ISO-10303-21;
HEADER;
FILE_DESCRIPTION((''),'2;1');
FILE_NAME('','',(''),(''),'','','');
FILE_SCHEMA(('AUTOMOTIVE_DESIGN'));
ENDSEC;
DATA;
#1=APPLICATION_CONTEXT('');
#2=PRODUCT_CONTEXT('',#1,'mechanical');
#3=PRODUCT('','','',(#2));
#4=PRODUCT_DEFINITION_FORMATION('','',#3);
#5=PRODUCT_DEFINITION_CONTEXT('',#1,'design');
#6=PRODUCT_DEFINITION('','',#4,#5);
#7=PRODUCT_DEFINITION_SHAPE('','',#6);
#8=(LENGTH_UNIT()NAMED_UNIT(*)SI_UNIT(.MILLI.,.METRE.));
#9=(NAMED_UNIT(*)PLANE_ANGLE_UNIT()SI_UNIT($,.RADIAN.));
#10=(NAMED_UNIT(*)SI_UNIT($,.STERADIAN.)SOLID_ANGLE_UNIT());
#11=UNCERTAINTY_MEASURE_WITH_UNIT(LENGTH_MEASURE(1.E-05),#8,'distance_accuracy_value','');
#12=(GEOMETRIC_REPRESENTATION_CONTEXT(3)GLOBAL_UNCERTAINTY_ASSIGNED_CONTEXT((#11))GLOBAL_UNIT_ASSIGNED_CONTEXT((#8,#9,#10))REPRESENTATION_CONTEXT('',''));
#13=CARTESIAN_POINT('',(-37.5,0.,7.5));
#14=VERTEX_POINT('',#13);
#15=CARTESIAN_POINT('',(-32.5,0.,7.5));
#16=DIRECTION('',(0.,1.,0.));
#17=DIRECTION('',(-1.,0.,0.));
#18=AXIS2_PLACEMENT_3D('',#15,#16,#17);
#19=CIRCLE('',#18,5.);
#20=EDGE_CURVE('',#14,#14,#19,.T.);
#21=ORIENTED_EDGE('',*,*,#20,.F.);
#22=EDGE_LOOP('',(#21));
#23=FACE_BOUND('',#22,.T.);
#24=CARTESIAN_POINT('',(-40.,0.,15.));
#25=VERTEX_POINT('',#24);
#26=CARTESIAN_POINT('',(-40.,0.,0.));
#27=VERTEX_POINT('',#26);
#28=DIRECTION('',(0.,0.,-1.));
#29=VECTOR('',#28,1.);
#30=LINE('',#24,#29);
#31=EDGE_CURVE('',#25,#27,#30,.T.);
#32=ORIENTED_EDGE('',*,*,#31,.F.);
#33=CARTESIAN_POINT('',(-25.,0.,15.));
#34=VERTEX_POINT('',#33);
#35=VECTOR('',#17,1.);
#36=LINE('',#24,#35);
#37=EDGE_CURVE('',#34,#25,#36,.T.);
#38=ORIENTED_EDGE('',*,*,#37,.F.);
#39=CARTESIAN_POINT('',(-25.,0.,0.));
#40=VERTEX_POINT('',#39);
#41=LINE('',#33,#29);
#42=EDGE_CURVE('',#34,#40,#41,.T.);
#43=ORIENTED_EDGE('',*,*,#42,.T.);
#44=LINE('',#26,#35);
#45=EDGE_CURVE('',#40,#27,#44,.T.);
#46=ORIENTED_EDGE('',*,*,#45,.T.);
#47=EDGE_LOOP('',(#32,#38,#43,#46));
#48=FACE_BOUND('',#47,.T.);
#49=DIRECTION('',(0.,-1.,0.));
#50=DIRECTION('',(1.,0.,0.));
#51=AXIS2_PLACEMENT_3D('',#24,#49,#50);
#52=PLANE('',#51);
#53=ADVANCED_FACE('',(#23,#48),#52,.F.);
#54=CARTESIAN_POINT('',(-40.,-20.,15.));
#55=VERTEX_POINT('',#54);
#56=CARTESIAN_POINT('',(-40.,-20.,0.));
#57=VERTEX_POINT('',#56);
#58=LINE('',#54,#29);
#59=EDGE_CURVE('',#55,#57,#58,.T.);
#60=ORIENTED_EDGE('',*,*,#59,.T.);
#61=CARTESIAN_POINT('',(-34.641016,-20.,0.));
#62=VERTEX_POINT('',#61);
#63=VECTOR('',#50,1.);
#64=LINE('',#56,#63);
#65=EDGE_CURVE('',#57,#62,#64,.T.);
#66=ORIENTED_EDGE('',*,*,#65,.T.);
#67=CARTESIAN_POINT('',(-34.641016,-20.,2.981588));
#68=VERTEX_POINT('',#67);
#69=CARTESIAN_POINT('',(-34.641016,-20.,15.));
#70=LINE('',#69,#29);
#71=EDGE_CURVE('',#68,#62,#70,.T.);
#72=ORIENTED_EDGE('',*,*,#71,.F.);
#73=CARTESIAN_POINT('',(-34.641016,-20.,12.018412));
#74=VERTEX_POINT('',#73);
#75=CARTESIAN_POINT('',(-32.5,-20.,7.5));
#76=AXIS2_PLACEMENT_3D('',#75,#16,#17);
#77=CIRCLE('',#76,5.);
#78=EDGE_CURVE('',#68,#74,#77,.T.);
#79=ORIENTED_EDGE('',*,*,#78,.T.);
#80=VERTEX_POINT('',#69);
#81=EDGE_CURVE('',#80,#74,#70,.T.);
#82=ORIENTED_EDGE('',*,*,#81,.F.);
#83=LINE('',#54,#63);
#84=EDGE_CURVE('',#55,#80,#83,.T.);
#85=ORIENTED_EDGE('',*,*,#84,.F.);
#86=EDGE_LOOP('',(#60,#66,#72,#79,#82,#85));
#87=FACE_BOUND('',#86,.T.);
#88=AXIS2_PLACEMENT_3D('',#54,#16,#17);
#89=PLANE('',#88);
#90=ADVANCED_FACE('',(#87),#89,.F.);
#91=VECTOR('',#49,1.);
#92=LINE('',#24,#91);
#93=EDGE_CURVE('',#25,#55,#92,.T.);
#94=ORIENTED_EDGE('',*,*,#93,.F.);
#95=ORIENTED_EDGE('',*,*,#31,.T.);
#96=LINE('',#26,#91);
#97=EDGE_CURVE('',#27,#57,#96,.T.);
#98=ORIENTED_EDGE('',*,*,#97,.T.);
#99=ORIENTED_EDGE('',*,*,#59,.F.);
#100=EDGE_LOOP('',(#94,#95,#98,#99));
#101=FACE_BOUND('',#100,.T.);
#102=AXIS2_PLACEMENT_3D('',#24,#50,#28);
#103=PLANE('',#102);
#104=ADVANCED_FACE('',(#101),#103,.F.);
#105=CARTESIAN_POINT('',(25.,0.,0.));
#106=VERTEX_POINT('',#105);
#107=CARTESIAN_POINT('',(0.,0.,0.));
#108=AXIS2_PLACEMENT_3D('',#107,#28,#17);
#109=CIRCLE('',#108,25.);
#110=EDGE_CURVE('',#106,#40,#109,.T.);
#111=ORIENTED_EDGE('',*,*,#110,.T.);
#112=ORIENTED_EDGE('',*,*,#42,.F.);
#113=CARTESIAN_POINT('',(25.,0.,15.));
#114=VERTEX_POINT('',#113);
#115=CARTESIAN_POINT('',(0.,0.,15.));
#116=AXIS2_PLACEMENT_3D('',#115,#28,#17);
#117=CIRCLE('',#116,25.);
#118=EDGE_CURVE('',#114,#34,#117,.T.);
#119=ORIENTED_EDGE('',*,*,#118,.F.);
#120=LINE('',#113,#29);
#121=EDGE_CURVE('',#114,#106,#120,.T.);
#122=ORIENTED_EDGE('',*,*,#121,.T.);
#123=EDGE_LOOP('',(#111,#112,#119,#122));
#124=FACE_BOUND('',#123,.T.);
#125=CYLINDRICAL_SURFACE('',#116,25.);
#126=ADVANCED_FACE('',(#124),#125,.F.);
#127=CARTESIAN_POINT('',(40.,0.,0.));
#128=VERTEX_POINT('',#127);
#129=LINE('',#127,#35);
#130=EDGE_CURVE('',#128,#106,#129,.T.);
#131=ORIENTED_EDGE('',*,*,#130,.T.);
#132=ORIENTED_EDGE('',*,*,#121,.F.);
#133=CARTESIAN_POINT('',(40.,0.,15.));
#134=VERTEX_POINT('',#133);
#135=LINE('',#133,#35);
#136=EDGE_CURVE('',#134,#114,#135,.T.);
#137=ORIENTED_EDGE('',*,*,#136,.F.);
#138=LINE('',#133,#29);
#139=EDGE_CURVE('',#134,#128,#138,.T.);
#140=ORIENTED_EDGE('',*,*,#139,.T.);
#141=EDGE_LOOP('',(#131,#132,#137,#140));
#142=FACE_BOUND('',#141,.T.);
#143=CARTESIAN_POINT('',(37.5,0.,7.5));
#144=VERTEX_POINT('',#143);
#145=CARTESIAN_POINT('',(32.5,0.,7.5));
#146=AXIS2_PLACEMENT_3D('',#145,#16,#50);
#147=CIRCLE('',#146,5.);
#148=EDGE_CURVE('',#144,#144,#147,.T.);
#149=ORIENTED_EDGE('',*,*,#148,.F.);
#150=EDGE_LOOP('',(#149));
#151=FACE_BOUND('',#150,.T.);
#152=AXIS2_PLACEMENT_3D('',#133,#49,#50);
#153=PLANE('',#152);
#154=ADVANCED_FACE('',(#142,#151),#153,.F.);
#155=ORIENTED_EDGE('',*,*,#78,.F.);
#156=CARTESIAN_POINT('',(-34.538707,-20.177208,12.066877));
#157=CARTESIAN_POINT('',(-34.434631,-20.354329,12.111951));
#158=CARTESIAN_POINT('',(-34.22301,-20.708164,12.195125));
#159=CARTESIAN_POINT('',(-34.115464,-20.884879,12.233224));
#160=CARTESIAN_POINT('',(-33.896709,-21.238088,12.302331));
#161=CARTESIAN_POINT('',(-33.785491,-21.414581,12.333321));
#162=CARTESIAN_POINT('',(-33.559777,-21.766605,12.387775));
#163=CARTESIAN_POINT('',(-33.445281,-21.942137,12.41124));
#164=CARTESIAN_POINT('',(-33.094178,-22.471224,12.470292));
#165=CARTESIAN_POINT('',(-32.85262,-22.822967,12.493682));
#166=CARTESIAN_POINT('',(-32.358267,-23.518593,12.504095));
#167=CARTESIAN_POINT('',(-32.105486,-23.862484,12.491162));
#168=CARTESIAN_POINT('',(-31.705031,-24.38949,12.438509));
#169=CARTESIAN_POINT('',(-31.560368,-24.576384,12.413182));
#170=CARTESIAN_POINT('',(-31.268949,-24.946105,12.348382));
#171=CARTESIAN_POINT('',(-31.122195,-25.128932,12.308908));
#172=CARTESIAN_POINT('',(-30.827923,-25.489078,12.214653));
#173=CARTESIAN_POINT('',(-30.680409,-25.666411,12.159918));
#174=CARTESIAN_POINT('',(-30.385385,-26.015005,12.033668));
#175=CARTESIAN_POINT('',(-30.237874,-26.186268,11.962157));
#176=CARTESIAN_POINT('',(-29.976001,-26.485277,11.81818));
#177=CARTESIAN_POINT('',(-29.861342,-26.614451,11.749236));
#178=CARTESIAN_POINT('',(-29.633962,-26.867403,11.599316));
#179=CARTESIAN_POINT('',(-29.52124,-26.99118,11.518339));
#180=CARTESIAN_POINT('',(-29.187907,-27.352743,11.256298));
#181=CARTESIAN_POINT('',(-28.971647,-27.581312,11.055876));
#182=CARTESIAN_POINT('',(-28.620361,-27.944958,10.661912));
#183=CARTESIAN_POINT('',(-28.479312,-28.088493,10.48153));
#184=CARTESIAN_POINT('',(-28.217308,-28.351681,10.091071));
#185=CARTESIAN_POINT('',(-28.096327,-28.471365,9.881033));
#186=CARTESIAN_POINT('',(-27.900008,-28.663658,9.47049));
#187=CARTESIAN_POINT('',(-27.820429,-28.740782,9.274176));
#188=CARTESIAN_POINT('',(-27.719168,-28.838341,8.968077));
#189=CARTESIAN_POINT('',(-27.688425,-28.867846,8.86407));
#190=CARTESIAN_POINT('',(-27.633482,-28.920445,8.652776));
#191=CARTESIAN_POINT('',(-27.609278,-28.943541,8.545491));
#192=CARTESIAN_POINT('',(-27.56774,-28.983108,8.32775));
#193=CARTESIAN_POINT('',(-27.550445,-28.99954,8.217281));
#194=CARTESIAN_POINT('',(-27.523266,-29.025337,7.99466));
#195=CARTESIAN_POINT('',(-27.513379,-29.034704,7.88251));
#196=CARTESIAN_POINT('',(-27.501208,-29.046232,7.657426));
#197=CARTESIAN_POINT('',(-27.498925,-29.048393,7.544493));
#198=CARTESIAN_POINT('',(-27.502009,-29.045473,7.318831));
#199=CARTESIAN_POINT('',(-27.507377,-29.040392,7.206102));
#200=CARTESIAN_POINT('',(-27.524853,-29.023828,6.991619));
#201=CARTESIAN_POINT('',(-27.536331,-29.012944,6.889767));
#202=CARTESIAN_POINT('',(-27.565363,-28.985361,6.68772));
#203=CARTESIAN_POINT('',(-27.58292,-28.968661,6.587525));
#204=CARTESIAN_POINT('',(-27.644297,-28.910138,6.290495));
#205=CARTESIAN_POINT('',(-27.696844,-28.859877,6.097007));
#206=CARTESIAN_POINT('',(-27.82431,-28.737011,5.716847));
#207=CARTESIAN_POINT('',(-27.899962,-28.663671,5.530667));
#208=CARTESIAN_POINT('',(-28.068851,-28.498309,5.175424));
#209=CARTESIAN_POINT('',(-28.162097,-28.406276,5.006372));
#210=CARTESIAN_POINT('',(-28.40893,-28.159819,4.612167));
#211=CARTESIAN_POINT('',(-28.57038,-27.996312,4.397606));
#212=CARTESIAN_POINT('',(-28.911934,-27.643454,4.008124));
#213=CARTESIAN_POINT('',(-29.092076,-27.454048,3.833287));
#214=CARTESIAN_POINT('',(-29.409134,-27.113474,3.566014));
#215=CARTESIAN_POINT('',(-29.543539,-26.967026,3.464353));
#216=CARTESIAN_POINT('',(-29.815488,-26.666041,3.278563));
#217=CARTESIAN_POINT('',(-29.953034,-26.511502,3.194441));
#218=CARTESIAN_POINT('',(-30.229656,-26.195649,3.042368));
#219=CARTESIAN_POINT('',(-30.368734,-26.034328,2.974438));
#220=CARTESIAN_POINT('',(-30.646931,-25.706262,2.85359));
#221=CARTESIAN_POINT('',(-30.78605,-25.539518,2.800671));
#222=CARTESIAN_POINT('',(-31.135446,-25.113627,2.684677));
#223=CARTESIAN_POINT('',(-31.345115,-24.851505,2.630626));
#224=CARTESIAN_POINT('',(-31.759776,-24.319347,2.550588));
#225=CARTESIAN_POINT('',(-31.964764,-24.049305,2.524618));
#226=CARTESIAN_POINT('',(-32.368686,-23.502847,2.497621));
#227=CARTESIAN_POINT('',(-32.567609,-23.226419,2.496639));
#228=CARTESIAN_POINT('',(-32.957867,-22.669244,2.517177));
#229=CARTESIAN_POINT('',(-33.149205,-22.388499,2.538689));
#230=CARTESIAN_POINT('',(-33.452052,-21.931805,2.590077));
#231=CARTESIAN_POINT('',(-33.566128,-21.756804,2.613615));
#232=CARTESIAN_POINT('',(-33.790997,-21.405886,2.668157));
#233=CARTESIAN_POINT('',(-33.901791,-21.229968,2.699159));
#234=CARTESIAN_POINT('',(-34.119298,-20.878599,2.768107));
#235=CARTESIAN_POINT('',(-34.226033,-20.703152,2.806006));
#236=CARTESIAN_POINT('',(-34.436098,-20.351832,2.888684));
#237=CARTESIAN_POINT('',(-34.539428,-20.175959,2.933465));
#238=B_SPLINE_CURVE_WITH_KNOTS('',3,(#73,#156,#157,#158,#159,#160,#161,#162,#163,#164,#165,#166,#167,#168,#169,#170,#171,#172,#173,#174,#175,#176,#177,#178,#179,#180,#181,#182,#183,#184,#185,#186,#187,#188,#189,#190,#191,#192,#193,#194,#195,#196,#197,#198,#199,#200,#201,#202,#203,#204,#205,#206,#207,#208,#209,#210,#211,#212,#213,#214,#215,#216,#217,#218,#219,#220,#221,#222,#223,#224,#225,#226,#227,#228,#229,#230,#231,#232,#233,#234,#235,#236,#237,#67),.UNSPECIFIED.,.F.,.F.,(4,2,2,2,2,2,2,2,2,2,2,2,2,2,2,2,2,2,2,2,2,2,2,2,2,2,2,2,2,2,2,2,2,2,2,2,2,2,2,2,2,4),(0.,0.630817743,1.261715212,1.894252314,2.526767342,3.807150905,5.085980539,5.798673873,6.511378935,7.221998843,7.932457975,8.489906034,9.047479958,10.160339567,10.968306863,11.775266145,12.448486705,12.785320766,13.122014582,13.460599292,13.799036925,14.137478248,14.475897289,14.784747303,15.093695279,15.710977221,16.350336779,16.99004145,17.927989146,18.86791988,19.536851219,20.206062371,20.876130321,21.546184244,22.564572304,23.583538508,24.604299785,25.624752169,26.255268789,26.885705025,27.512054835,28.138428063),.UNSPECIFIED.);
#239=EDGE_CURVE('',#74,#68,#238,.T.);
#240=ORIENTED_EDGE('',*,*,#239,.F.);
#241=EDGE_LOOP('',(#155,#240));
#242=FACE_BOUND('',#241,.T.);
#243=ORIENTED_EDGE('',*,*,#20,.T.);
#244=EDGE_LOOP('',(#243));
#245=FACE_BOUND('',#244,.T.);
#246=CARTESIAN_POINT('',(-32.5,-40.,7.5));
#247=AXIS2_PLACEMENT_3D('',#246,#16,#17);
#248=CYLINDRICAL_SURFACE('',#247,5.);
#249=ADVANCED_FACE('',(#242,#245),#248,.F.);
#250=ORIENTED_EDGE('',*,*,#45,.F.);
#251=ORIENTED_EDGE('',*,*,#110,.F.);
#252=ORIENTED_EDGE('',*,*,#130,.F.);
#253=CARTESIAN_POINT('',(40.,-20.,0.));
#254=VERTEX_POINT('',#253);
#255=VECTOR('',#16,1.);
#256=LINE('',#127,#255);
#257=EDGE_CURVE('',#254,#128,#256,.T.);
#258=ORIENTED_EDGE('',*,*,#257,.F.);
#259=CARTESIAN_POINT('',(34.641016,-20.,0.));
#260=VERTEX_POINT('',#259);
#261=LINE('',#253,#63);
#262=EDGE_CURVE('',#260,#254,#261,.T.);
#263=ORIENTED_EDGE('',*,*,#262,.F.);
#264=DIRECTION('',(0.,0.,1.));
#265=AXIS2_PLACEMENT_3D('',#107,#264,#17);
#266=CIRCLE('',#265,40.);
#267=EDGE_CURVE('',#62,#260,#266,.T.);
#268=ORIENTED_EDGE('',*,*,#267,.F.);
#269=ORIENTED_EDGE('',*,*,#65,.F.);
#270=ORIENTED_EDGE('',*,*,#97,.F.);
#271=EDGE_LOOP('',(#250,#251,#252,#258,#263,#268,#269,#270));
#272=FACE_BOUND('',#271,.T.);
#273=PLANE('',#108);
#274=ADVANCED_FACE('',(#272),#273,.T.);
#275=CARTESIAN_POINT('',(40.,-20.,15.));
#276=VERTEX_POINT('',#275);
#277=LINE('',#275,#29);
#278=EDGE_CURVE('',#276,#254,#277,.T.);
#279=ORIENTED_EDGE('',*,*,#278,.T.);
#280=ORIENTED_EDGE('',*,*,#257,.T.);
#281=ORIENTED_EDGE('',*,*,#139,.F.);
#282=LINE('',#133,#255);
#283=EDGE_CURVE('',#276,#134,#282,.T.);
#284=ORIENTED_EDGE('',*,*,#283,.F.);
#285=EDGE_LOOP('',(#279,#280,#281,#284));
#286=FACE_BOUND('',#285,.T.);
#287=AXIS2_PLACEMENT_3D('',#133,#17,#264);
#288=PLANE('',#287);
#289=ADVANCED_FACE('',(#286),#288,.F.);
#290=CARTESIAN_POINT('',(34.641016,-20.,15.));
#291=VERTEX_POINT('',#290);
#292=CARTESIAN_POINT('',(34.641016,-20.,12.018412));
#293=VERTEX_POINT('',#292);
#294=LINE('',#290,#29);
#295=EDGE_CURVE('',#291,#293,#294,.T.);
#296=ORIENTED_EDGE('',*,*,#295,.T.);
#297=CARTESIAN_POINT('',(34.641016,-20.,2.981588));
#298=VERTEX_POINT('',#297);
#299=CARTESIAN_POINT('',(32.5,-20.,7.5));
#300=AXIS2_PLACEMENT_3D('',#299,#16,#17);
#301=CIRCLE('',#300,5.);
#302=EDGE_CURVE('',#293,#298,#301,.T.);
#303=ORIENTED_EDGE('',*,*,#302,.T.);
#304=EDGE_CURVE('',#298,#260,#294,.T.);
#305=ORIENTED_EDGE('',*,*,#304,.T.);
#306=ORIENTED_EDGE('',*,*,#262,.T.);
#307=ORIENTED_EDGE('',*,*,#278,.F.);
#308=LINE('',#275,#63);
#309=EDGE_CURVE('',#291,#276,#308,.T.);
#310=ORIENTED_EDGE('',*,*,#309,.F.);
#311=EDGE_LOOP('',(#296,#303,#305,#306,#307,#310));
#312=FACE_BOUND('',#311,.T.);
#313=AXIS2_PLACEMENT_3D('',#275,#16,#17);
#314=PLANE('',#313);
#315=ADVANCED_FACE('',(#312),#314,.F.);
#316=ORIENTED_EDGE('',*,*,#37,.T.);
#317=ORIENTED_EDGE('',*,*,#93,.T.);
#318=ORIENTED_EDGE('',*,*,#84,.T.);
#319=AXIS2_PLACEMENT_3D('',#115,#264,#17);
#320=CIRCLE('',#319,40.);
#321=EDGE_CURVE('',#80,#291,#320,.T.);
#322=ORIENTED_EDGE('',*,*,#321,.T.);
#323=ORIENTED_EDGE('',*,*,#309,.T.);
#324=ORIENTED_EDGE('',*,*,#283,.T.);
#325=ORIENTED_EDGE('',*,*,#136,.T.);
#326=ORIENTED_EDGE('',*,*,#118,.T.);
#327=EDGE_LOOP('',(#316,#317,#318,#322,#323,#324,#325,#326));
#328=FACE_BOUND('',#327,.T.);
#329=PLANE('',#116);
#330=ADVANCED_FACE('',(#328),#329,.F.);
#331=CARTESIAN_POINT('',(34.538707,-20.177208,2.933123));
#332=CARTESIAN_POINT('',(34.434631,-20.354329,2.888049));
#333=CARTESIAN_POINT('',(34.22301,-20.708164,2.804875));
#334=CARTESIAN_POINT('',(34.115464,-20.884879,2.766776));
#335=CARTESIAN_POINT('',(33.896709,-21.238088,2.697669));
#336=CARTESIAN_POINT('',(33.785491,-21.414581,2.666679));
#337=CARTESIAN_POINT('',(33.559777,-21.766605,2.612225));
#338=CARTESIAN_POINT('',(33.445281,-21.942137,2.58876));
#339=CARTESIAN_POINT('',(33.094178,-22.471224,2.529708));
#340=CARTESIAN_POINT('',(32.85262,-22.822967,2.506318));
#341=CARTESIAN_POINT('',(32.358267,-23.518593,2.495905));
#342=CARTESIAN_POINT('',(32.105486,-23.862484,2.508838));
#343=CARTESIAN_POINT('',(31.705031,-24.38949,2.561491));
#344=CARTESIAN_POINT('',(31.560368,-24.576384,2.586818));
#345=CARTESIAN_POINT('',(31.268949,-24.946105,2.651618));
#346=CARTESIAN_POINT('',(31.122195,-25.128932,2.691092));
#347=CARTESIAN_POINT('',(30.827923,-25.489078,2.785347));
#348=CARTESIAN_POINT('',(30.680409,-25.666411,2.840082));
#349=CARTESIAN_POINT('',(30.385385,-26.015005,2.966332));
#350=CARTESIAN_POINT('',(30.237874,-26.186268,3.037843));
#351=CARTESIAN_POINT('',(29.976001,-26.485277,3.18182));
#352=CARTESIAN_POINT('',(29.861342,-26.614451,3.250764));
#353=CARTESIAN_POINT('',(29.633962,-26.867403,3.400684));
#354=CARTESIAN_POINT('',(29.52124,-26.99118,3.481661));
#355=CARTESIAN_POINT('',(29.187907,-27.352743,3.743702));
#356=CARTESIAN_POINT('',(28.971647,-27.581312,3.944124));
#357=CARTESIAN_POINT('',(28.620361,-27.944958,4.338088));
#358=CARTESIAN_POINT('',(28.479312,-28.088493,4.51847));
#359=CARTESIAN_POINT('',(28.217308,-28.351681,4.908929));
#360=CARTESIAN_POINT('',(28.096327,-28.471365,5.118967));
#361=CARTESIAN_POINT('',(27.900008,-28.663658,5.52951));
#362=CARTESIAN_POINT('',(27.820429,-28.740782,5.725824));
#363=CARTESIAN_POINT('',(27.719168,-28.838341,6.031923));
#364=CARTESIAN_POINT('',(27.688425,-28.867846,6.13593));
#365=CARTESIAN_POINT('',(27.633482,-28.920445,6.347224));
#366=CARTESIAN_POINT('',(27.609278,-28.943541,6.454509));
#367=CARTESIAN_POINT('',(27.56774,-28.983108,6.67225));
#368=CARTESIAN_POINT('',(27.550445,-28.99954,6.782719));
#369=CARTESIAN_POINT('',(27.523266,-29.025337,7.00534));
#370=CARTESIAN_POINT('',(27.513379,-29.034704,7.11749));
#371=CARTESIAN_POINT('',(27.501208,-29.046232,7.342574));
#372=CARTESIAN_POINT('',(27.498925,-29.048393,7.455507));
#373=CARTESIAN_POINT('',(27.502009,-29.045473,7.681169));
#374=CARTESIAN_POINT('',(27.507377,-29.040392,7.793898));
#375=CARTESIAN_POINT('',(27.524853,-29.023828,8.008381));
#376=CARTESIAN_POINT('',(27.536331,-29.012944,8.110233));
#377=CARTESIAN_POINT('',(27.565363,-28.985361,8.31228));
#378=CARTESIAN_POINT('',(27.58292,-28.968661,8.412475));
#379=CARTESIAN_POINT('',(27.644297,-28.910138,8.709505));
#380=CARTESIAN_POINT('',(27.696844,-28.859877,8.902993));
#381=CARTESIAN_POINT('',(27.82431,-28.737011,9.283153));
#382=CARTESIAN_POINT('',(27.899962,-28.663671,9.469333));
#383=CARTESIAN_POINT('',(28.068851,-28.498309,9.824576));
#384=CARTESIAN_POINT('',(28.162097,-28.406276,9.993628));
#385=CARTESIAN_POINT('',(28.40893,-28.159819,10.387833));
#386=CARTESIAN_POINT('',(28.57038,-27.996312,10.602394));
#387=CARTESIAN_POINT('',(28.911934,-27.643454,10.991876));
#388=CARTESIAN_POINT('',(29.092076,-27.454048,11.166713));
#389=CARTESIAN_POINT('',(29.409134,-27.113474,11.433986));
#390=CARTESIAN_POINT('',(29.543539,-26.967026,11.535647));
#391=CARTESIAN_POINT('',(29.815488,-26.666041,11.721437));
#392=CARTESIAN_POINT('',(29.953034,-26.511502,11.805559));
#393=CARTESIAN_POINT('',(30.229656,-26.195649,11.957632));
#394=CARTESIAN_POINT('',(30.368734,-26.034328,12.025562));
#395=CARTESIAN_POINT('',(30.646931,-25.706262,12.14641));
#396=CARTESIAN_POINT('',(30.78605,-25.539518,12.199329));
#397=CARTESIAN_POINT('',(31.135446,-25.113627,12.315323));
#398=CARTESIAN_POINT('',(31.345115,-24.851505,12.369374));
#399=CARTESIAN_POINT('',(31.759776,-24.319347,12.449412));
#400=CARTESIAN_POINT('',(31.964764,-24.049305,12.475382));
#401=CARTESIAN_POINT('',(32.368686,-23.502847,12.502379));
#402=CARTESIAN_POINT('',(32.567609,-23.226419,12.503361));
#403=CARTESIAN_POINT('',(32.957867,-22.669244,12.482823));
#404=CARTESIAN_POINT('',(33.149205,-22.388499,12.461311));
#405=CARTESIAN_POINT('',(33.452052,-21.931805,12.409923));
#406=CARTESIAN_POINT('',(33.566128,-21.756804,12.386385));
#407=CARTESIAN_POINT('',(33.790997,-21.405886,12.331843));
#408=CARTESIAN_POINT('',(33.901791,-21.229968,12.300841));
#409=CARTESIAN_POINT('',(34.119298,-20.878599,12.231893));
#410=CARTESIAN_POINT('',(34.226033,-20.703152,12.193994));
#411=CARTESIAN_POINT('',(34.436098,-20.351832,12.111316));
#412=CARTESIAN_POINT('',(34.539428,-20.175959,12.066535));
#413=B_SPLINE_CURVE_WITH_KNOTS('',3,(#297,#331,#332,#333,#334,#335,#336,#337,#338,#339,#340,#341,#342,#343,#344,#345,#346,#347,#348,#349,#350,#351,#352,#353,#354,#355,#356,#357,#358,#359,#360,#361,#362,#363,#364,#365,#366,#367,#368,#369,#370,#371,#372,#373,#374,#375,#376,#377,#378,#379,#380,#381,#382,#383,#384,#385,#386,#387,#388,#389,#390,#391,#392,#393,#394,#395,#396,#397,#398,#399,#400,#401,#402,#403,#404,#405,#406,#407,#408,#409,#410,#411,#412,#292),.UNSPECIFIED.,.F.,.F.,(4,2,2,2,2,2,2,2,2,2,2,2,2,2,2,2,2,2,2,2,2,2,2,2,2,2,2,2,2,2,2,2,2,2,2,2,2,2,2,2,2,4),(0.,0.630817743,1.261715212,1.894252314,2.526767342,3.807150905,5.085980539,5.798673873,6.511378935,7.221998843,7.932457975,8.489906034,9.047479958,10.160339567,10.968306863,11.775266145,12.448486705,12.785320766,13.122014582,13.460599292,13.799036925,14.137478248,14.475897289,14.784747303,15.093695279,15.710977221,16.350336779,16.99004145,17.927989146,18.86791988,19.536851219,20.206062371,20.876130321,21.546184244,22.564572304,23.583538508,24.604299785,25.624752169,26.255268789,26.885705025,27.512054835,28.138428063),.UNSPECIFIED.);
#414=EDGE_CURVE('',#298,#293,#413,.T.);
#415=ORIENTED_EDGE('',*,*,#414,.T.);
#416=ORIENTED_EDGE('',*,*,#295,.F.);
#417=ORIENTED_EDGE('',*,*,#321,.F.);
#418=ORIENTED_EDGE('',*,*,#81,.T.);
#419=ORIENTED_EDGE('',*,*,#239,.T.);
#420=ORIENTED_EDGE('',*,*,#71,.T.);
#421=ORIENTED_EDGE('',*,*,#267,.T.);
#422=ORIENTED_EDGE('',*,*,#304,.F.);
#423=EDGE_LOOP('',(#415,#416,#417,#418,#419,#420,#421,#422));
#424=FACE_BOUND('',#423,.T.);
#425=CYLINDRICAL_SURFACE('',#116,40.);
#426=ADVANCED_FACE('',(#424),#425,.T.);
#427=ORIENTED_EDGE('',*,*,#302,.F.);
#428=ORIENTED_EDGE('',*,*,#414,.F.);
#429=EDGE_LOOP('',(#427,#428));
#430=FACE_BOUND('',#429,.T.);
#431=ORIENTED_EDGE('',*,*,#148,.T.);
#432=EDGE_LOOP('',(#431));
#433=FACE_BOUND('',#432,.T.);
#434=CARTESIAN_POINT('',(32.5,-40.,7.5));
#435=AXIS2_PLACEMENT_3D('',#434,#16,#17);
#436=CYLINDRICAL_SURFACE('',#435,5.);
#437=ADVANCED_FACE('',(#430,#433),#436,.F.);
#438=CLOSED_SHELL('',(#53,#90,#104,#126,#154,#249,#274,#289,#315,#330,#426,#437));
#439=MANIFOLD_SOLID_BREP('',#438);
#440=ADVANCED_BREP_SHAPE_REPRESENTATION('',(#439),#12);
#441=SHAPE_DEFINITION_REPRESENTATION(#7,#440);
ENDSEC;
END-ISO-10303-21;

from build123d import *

# Parameters (mm, degrees)
BOSS_EXTRUDE4_DEPTH = 15
SKETCH5_R           = 5
CUT_EXTRUDE1_DEPTH  = 41


with BuildPart() as part:
    # Sketch2 → Boss-Extrude4 (new body)
    with BuildSketch(Plane.XY):
        with BuildLine():
            Line((-40, 0), (-25, 0))
            ThreePointArc((-25, 0), (0, -25), (25, 0))
            Line((25, 0), (40, 0))
            Line((40, 0), (40, -20))
            Line((40, -20), (34.641016151, -20))
            ThreePointArc((34.641016151, -20), (0, -40), (-34.641016151, -20))
            Line((-34.641016151, -20), (-40, -20))
            Line((-40, -20), (-40, 0))
        make_face()
    extrude(amount=BOSS_EXTRUDE4_DEPTH)

    # Sketch5 → Cut-Extrude1 (cut, through all)
    with BuildSketch(Plane(origin=(0, 0, 0), x_dir=(1, 0, 0), z_dir=(0, 1, 0))):
        with Locations((-32.5, -7.5)):
            Circle(SKETCH5_R)
        with Locations((32.5, -7.5)):
            Circle(SKETCH5_R)
    extrude(amount=-CUT_EXTRUDE1_DEPTH, mode=Mode.SUBTRACT)


solid = part.part
